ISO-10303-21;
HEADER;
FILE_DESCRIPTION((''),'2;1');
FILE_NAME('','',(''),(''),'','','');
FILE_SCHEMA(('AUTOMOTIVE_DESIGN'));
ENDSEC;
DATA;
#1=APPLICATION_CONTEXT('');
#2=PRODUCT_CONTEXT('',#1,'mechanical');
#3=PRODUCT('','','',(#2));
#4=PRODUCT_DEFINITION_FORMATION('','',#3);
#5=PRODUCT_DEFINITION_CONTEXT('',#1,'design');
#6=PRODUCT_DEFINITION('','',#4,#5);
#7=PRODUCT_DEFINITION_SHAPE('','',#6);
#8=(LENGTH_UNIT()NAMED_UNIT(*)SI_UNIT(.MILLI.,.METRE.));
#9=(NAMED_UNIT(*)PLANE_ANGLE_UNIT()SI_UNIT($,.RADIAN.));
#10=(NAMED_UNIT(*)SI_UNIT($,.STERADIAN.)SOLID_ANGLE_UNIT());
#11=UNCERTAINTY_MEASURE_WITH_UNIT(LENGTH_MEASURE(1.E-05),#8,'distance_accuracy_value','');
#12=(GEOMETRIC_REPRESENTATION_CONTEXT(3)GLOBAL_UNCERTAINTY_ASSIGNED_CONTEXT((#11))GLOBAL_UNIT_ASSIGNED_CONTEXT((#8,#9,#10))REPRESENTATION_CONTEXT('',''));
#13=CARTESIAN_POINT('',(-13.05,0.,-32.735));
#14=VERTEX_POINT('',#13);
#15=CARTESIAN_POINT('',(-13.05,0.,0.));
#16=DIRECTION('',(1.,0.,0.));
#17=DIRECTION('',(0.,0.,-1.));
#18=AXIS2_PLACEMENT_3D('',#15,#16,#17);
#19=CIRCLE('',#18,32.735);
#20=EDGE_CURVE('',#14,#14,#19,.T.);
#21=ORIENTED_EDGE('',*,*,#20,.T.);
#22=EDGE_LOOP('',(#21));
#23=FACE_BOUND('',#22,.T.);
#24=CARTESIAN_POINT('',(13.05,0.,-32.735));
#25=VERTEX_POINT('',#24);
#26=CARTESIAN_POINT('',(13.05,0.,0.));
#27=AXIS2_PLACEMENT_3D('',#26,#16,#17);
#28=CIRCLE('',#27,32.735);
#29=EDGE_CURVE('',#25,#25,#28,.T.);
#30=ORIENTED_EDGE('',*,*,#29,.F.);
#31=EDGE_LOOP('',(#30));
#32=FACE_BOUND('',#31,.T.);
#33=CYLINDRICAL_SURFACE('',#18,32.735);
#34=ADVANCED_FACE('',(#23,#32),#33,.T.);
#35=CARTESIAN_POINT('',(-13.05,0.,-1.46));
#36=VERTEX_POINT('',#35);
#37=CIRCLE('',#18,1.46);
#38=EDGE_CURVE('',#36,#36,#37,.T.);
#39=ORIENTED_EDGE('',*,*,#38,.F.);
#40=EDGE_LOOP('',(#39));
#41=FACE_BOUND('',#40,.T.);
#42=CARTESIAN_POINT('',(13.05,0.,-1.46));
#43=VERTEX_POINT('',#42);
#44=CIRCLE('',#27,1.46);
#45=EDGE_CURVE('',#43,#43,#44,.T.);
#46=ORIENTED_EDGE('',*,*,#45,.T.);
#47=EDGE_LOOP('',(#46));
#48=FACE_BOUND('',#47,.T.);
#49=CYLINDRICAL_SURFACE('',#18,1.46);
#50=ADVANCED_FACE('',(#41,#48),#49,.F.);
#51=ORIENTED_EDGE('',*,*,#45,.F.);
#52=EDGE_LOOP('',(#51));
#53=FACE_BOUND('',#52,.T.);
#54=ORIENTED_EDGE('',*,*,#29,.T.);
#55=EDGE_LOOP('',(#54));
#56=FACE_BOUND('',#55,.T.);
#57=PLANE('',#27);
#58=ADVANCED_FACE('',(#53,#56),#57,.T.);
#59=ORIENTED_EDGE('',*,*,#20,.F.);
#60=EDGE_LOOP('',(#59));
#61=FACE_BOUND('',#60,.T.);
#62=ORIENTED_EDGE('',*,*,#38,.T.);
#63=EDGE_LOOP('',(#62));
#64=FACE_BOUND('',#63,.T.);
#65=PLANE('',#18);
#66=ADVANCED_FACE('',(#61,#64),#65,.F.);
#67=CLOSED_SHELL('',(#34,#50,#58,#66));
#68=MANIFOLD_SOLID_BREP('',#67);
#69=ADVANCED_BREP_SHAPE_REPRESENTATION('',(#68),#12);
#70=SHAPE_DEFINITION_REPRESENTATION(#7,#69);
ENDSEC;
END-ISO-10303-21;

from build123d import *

# Parameters (mm, degrees)
BOSS_EXTRU_4_DEPTH      = 13.05
BOSS_EXTRU_4_DEPTH_BACK = 13.05
ESQUISSE1_R             = 32.735
ESQUISSE1_R_2           = 1.46


with BuildPart() as part:
    # Esquisse1 → Boss.-Extru.4 (new, two sides: drawn at the far end of the back side and taken through both)
    with BuildSketch(Plane(origin=(0, 0, 0), x_dir=(0, 0, -1), z_dir=(1, 0, 0)).offset(-BOSS_EXTRU_4_DEPTH_BACK)):
        Circle(ESQUISSE1_R)
        Circle(ESQUISSE1_R_2, mode=Mode.SUBTRACT)
    extrude(amount=BOSS_EXTRU_4_DEPTH + BOSS_EXTRU_4_DEPTH_BACK)


solid = part.part
